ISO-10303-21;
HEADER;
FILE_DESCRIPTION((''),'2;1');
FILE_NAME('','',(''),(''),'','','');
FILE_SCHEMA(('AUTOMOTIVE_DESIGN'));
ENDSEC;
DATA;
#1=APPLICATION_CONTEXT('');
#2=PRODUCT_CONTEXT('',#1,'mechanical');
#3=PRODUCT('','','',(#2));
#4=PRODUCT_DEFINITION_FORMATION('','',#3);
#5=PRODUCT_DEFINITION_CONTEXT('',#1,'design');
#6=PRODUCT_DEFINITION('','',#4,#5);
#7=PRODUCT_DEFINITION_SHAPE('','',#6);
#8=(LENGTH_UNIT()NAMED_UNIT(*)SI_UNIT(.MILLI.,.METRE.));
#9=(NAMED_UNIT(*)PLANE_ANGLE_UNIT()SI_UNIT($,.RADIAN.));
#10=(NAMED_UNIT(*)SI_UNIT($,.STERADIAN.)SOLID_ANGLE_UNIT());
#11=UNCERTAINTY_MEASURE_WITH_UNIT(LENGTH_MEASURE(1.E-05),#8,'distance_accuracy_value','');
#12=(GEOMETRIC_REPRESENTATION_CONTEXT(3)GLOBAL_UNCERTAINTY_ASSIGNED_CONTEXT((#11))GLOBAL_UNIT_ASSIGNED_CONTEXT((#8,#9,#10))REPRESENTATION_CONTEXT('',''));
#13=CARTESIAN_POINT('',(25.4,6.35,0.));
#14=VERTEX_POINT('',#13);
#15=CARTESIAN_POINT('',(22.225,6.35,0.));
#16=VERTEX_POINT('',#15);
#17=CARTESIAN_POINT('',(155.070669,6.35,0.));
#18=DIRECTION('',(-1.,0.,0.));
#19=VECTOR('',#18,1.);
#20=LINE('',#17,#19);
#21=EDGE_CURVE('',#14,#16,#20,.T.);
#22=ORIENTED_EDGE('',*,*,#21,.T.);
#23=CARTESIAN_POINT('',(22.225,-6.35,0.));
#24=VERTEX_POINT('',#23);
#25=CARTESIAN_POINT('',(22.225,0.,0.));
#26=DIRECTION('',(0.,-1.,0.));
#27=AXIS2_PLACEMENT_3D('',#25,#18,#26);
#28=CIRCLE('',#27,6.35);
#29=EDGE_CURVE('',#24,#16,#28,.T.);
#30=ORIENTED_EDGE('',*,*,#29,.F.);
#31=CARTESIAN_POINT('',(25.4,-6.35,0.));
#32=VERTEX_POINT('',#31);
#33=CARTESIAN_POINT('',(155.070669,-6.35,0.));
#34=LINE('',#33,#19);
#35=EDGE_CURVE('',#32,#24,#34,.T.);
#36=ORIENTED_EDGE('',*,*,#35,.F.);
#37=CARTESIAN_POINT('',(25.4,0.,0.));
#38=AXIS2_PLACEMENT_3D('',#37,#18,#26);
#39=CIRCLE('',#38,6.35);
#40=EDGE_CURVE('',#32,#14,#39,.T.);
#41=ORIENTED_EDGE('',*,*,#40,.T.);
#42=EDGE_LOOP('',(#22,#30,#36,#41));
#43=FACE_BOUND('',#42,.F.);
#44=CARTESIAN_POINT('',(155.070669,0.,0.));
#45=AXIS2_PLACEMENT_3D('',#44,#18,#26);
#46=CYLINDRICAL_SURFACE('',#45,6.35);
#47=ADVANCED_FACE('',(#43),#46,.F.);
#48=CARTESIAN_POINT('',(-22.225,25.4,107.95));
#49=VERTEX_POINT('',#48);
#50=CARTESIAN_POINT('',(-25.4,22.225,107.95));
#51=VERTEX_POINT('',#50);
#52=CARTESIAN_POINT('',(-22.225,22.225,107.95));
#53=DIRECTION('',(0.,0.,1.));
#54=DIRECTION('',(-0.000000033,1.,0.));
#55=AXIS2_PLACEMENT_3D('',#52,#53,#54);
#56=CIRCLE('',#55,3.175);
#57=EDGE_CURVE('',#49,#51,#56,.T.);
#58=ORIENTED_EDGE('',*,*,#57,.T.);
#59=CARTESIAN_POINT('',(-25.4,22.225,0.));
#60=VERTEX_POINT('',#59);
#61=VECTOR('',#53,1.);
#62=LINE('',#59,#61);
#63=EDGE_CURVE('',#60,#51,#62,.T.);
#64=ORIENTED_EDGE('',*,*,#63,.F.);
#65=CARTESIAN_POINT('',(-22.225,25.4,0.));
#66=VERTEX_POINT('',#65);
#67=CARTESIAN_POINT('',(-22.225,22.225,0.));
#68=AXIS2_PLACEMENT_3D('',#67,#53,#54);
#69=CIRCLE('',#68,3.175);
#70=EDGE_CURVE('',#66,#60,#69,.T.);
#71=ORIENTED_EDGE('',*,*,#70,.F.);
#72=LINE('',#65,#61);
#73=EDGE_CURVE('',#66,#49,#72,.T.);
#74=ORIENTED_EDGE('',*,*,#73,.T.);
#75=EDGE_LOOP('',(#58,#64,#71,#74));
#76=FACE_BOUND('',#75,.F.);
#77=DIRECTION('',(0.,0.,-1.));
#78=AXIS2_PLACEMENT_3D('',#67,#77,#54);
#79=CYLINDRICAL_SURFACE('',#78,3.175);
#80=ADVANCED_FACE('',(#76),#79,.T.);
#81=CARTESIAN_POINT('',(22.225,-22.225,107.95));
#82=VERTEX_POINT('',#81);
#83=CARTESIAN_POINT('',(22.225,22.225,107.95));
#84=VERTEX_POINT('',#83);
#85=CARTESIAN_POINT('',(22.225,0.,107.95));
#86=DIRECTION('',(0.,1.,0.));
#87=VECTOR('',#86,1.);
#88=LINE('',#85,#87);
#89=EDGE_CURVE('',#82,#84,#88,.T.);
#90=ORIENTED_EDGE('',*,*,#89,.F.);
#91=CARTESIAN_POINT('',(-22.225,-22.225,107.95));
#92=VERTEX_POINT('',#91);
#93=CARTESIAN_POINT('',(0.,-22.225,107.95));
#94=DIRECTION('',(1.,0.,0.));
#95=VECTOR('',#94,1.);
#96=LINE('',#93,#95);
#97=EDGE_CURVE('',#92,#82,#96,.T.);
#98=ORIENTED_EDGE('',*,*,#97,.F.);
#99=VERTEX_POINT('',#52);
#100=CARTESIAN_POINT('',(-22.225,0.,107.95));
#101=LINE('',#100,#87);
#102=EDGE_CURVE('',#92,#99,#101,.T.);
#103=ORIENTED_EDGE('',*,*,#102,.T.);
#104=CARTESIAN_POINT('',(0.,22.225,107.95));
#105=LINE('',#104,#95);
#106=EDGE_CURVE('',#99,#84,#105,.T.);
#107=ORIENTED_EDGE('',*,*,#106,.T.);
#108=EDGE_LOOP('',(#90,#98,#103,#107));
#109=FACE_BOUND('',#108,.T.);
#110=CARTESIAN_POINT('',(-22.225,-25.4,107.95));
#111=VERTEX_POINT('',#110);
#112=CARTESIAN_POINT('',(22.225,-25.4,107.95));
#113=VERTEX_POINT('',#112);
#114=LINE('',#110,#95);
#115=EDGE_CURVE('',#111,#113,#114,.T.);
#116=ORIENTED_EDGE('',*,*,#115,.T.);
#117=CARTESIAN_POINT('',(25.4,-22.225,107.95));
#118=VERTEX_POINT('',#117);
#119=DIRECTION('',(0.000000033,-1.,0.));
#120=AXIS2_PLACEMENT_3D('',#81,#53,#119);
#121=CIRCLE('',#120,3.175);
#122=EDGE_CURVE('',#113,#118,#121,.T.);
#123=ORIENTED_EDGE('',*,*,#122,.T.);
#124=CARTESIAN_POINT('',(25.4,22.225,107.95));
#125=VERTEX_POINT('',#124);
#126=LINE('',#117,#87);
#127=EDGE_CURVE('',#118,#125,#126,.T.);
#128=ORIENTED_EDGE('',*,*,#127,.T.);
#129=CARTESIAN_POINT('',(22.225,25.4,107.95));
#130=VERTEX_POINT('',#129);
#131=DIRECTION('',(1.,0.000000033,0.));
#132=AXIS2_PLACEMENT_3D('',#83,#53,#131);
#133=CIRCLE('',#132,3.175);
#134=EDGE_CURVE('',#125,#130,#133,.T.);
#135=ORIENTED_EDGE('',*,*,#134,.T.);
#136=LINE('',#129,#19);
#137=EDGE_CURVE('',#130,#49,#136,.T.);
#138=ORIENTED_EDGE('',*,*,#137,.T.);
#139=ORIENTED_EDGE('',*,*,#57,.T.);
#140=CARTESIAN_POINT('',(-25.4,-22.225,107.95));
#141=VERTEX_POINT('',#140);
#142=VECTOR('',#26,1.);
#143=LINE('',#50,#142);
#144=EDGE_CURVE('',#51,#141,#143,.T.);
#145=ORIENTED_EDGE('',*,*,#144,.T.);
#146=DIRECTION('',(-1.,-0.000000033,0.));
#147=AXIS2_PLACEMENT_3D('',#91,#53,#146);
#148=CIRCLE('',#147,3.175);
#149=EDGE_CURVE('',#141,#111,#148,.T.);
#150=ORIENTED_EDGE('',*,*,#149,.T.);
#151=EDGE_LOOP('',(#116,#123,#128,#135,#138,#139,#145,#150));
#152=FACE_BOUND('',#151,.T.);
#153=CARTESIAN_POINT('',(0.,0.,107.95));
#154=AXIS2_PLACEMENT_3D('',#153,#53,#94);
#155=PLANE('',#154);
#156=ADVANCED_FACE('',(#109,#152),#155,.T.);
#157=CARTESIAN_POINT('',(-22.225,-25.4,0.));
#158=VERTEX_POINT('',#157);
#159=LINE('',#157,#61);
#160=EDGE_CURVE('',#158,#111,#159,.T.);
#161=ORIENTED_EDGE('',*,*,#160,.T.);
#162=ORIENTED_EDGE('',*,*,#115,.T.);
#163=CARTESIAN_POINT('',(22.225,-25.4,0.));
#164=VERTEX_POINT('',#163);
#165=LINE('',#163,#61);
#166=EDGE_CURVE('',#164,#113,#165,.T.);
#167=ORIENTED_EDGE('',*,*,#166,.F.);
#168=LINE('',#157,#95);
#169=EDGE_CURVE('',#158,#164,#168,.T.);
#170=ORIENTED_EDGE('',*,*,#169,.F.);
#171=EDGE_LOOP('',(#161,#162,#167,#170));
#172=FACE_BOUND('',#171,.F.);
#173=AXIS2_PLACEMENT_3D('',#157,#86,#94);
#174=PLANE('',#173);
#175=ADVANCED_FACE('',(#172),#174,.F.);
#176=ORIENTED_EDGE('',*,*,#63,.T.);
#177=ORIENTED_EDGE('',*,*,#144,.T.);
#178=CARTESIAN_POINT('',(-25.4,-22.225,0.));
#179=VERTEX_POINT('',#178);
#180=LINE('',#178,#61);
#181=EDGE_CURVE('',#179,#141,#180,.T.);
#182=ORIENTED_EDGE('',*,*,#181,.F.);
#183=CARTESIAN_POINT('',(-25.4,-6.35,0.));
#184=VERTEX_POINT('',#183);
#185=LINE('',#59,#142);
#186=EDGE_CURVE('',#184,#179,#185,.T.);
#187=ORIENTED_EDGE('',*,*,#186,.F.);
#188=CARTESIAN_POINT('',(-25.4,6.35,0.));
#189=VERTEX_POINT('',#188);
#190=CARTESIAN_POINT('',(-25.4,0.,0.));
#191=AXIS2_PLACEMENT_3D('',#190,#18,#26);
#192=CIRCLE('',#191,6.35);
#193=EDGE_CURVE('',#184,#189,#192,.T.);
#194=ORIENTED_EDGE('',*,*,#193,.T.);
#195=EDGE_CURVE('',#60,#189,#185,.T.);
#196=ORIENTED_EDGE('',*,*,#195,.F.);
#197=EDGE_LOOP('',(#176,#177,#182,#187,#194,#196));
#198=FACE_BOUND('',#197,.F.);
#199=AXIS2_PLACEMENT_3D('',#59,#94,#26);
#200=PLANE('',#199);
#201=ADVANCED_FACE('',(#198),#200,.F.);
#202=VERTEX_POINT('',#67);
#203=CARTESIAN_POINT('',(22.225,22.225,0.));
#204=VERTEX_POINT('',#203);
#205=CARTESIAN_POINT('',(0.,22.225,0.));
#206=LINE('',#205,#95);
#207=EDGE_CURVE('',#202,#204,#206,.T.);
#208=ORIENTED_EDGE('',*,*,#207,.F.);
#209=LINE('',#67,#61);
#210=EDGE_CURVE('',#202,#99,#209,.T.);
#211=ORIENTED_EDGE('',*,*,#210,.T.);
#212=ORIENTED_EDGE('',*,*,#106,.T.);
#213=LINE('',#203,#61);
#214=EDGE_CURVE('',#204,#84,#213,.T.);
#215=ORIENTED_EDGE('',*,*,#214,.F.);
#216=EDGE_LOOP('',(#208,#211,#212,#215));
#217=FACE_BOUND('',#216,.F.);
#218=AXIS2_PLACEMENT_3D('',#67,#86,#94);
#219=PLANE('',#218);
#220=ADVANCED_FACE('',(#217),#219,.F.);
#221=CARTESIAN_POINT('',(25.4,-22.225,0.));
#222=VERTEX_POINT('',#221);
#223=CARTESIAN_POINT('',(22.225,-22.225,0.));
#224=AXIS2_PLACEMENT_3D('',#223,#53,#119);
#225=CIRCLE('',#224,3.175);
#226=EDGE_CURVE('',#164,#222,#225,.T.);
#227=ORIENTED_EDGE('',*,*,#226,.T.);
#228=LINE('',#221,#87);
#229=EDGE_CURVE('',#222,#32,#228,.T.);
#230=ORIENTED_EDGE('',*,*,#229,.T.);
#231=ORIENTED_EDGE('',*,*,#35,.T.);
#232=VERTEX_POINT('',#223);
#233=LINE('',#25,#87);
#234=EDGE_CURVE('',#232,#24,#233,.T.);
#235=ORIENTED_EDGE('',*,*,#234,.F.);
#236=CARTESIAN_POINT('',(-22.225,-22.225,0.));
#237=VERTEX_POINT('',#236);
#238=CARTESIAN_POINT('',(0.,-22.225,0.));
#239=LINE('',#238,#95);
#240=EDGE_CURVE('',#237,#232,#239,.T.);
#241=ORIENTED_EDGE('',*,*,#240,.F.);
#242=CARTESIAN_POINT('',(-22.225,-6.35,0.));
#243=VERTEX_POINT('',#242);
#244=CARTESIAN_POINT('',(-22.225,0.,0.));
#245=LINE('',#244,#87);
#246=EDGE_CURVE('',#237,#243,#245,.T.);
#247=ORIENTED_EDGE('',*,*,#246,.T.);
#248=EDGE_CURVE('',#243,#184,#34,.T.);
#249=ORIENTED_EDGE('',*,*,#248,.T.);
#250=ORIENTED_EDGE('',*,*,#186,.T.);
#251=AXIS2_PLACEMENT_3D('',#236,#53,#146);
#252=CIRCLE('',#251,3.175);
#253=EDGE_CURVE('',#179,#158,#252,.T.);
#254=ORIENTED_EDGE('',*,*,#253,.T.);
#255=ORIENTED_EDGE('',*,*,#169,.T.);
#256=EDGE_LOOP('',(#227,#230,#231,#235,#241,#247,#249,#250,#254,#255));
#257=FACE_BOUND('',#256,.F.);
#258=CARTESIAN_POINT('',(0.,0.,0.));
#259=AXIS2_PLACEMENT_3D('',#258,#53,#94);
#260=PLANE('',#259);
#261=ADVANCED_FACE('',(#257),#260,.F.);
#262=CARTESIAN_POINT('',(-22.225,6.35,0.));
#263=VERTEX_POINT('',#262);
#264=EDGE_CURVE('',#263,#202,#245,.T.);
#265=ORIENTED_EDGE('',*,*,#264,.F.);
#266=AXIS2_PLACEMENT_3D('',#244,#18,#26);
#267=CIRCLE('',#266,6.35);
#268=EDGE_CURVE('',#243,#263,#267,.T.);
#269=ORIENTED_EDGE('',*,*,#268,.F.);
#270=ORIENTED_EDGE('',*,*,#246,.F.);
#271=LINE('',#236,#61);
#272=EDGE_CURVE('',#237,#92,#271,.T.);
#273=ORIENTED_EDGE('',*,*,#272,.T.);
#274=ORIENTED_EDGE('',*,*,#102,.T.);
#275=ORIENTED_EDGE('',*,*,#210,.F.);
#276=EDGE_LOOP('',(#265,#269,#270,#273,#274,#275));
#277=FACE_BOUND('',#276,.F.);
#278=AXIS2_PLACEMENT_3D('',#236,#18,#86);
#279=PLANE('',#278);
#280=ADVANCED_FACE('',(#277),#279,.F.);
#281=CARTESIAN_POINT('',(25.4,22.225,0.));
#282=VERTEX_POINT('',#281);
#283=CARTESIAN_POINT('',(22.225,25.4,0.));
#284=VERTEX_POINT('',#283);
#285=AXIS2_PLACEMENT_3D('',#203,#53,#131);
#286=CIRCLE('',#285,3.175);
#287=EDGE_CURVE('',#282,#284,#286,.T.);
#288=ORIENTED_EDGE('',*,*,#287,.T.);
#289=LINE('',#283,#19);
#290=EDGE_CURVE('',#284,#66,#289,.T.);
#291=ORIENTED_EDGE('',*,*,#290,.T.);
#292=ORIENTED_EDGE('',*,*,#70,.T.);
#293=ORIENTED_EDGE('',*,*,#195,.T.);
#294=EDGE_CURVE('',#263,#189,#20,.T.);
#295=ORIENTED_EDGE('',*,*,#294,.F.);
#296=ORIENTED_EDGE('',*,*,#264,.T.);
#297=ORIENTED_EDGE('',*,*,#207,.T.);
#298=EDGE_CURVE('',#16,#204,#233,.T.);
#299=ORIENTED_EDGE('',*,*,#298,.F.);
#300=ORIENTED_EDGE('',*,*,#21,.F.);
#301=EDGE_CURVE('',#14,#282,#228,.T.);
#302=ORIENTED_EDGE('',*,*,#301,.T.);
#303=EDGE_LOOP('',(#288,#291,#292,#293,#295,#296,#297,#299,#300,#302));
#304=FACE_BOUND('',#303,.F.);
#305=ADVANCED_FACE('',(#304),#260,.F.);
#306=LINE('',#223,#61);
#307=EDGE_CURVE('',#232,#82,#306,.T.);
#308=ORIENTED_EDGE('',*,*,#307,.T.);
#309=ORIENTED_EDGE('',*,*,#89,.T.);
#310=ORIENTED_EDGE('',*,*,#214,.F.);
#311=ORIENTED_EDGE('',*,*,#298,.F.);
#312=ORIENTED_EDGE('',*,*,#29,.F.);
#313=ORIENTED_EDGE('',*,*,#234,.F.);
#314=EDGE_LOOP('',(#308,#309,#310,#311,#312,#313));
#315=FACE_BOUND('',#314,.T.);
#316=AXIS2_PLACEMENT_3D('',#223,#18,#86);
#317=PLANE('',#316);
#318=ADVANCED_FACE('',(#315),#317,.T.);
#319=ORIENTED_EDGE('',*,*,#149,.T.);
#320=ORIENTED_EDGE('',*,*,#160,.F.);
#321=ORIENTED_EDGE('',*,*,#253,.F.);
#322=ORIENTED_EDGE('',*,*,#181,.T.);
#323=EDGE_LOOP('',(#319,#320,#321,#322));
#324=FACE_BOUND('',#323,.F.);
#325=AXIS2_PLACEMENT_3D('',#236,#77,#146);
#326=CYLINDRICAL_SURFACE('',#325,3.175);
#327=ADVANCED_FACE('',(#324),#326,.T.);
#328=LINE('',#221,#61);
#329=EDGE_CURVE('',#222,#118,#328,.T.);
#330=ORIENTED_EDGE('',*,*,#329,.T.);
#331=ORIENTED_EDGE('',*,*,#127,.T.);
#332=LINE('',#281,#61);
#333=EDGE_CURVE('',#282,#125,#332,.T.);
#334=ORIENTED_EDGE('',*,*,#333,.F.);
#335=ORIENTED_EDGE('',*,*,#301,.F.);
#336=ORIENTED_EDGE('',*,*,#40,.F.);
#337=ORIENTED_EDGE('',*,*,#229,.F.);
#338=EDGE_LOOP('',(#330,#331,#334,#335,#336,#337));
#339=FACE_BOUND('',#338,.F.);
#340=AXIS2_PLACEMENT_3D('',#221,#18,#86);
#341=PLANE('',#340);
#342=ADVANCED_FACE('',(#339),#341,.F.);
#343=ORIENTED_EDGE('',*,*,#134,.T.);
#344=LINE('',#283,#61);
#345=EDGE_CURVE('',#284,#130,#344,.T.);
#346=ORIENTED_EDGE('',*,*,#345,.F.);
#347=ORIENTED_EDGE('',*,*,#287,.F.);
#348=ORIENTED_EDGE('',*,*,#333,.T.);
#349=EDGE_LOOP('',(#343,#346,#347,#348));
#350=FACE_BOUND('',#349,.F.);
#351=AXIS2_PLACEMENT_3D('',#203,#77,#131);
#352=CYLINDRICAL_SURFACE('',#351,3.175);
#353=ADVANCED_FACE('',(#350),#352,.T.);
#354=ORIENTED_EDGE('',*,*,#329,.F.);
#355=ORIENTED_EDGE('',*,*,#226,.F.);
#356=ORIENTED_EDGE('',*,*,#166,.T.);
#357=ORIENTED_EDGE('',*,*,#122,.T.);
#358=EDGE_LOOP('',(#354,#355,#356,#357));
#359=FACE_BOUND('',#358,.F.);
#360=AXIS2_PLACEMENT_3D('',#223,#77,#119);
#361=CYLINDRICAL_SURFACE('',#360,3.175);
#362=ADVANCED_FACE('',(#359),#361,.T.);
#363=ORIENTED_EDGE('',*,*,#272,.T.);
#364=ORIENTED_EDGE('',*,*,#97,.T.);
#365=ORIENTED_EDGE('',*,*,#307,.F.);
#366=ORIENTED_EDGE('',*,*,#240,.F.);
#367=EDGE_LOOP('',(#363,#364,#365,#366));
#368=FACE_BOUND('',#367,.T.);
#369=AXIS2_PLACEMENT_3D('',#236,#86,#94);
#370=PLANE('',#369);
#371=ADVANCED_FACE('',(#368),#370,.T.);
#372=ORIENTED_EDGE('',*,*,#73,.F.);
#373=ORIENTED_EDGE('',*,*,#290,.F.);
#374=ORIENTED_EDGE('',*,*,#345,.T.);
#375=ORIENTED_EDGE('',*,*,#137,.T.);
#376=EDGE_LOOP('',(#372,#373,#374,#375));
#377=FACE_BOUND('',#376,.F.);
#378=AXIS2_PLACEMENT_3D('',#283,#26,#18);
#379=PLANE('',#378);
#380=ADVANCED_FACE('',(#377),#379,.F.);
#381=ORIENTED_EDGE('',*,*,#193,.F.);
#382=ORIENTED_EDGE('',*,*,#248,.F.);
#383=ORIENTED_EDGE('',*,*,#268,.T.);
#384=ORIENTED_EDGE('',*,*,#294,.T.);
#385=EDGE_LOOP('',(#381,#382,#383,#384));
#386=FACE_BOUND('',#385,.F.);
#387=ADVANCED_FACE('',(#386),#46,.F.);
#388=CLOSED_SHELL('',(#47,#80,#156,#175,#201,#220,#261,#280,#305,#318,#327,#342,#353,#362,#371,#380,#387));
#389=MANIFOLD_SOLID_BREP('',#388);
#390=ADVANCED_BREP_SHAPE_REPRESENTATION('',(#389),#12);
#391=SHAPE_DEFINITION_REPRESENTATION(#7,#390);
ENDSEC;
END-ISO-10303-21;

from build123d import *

# Parameters (mm, degrees)
F0_W     = 44.45
F0_H     = 44.45
F1_DEPTH = 107.95
F3_D     = 12.7


with BuildPart() as f1:
    # F0 (on Top) → F1 (new body)
    with BuildSketch(Plane.XY):
        with BuildLine():
            ThreePointArc((25.4, 22.225), (24.470064, 24.470064), (22.225, 25.4))
            Line((22.225, 25.4), (-22.225, 25.4))
            ThreePointArc((-22.225, 25.4), (-24.470064, 24.470064), (-25.4, 22.225))
            Line((-25.4, 22.225), (-25.4, -22.225))
            ThreePointArc((-25.4, -22.225), (-24.470064, -24.470064), (-22.225, -25.4))
            Line((-22.225, -25.4), (22.225, -25.4))
            ThreePointArc((22.225, -25.4), (24.470064, -24.470064), (25.4, -22.225))
            Line((25.4, -22.225), (25.4, 22.225))
        make_face()
        Rectangle(F0_W, F0_H, mode=Mode.SUBTRACT)
    extrude(amount=F1_DEPTH)

    # F3 (through all)
    with Locations(Plane.YZ.offset(25.4)):
        with Locations((0, 0)):
            Hole(F3_D / 2)


solid = f1.part
